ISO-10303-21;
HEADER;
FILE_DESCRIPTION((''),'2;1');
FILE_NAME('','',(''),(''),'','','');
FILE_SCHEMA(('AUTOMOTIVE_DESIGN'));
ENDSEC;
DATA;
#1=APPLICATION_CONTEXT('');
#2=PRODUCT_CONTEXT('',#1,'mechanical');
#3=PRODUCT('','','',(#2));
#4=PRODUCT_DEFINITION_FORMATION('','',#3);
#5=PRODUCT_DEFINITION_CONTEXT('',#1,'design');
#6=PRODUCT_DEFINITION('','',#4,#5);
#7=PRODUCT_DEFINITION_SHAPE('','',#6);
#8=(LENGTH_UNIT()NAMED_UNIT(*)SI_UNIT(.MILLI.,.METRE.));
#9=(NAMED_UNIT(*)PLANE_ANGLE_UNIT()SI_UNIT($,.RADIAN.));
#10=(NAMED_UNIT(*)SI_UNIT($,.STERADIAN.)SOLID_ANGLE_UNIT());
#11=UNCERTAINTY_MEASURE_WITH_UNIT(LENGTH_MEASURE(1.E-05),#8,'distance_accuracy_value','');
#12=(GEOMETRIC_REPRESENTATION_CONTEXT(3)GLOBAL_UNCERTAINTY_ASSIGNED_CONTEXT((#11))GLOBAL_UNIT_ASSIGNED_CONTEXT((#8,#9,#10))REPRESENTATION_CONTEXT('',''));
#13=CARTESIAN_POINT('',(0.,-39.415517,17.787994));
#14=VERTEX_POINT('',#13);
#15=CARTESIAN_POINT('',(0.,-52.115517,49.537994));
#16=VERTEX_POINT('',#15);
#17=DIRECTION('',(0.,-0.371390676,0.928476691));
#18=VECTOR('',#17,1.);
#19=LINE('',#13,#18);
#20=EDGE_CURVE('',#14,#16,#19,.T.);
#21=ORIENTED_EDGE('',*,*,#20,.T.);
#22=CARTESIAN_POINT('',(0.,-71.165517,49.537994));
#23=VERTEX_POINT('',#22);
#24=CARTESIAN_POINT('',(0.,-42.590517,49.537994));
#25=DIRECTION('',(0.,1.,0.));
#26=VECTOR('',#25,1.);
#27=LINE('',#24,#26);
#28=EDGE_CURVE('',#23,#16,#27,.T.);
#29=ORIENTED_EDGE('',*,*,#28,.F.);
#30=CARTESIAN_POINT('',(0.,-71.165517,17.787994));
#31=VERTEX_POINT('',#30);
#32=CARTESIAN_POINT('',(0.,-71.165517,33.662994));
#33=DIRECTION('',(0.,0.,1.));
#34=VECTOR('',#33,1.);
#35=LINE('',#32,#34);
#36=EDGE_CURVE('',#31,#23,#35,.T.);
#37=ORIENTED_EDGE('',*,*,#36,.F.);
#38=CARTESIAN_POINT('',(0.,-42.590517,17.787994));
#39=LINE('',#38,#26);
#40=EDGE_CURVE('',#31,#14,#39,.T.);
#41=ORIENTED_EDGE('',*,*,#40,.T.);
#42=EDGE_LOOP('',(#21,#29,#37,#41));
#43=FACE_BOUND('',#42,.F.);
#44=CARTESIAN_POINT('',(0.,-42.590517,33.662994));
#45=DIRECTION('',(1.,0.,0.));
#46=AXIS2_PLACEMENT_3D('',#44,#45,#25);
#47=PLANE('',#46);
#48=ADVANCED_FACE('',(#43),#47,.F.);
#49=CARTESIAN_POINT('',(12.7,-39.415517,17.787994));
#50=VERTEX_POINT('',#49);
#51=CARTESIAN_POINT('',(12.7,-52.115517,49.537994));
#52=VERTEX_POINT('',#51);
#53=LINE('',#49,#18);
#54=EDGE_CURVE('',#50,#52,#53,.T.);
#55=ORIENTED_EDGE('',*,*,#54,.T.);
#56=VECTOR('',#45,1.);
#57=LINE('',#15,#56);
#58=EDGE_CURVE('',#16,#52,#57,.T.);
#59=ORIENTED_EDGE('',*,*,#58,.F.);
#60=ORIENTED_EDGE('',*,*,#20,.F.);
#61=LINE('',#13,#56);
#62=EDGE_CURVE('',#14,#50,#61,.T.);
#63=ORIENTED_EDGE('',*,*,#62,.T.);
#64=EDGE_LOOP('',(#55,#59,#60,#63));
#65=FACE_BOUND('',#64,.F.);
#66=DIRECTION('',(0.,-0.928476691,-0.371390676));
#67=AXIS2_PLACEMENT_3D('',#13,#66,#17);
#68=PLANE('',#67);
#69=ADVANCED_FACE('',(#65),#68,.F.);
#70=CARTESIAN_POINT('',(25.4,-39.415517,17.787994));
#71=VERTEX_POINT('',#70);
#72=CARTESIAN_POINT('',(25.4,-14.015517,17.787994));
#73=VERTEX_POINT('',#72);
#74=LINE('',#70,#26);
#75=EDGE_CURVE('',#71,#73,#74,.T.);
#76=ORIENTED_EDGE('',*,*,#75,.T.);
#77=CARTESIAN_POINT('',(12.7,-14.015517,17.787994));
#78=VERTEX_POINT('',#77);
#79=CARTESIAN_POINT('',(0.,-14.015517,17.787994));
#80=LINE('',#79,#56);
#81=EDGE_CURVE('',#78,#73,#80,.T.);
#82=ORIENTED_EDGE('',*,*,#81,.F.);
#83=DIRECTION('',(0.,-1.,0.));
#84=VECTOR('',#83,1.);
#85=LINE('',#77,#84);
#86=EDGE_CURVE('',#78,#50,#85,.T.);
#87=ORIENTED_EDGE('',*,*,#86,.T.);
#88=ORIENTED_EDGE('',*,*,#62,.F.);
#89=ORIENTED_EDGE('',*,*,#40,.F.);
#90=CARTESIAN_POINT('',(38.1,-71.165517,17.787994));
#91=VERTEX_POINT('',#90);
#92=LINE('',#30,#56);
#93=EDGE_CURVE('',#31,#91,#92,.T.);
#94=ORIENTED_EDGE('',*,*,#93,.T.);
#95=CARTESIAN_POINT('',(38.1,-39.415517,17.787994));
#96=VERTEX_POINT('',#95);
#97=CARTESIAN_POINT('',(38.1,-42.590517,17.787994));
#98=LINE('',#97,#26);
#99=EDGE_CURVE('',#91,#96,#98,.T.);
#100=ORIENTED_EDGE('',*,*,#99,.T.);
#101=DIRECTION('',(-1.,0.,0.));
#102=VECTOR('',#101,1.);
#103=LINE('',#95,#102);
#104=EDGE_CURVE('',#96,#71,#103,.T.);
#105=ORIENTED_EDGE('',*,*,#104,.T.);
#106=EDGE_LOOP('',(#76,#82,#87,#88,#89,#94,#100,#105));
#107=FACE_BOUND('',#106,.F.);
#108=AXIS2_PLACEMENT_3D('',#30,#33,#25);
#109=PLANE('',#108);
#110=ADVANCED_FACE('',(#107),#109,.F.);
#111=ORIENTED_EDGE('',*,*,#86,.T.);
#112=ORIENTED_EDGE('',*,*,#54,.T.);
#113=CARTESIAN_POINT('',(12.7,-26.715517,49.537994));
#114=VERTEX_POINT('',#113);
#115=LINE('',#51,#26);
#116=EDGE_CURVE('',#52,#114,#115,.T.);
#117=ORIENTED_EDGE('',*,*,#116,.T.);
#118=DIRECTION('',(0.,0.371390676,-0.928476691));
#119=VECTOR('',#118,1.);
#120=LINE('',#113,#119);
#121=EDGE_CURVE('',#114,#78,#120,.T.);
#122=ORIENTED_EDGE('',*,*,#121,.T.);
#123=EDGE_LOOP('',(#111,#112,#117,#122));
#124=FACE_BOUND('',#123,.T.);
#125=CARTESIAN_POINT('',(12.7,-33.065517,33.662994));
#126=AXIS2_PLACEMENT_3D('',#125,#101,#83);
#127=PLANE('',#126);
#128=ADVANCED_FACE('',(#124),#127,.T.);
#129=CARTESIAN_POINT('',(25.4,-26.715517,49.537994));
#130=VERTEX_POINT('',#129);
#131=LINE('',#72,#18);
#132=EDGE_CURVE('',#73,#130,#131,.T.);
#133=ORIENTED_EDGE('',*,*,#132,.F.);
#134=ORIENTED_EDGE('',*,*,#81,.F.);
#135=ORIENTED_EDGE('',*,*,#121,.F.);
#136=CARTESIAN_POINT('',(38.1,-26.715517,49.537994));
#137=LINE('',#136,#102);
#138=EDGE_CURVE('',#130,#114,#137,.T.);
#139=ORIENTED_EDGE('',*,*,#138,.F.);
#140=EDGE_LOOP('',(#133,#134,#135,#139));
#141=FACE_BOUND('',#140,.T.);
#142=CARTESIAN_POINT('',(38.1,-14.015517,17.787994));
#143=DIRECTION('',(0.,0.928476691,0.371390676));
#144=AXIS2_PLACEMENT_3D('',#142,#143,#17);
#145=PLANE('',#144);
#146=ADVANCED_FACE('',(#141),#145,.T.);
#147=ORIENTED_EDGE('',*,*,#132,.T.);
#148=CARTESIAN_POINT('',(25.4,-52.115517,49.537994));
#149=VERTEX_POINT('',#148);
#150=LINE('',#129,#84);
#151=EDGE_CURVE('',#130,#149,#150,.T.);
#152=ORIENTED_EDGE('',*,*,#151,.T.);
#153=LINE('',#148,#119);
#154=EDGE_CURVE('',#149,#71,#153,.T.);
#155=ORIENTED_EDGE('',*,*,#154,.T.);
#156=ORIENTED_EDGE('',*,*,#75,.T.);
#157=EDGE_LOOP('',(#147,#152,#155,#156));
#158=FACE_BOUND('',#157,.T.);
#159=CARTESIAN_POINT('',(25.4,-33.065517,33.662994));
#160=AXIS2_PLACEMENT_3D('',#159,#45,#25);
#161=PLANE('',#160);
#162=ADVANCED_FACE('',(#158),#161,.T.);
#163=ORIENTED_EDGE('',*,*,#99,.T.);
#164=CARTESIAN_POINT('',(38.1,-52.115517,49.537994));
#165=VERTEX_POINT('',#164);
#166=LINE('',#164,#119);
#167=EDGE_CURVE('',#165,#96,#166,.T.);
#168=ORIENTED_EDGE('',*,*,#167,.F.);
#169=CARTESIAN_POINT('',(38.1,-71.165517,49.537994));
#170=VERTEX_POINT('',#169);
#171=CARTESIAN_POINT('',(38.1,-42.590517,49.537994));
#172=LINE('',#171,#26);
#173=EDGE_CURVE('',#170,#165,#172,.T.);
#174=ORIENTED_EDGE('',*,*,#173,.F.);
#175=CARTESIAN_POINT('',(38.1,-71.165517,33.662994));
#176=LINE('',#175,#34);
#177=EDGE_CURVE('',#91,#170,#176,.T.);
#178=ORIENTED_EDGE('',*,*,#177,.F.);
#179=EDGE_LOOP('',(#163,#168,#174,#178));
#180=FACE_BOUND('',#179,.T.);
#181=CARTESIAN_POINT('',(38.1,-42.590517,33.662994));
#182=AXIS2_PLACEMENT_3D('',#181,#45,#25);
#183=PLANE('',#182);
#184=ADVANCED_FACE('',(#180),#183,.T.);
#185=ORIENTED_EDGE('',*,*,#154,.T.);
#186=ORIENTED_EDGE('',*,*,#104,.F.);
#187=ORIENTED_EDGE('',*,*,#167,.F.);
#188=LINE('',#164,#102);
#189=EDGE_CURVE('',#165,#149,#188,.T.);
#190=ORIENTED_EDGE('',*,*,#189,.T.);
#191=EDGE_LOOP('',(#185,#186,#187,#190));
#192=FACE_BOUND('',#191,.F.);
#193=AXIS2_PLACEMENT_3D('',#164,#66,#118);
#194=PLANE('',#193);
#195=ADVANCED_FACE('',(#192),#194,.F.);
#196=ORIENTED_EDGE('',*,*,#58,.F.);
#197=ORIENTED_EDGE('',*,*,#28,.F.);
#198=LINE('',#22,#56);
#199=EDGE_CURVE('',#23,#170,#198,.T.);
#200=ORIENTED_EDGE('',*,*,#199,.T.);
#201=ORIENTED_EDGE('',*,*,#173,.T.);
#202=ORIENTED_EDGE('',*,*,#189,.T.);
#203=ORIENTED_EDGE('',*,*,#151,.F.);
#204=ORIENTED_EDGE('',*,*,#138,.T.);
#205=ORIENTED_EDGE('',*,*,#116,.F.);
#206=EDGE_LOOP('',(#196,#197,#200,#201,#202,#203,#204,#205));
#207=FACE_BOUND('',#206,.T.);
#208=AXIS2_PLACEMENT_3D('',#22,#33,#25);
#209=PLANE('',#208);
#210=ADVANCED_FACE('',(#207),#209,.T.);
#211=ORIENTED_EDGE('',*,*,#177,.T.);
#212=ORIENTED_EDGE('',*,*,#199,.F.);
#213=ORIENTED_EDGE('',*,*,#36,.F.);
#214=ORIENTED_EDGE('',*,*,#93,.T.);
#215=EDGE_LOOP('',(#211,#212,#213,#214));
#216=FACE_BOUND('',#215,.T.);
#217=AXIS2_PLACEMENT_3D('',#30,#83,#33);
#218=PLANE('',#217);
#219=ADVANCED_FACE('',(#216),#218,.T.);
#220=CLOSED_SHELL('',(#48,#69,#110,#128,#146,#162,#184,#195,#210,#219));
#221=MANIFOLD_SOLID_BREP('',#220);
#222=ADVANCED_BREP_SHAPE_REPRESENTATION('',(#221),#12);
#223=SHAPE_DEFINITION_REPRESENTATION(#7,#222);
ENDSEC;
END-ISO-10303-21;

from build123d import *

# Parameters (mm, degrees)
F0_W     = 57.15
F0_H     = 31.75
F1_DEPTH = 38.1
F3_DEPTH = 12.7
F4_DEPTH = 38.1
F6_DEPTH = 12.7


with BuildPart() as f1:
    # F0 (on Right) → F1 (new body)
    with BuildSketch(Plane.YZ):
        with Locations((-42.5905166194, 33.662993957)):
            Rectangle(F0_W, F0_H)
    extrude(amount=F1_DEPTH)

    # F2 (on face) → F3 (cut)
    with BuildSketch(Plane.YZ.offset(38.1)):
        Polygon((-14.0155166194, 17.787993957), (-26.7155166194, 49.537993957), (-52.1155166194, 49.537993957), (-39.4155166194, 17.787993957), align=None)
    extrude(amount=-F3_DEPTH, mode=Mode.SUBTRACT)

    # F4 (cut): a face of the model
    f4_faces = [f1.faces().sort_by_distance(p)[0] for p in [
        (38.1, -18.2488499527, 38.9546606237),
    ]]
    extrude(f4_faces, amount=-F4_DEPTH, mode=Mode.SUBTRACT)

    # F5 (on face) → F6 (cut)
    with BuildSketch(Plane(origin=(0, 0, 0), x_dir=(0, -1, 0), z_dir=(-1, 0, 0))):
        Polygon((39.4155166194, 17.787993957), (52.1155166194, 49.537993957), (26.7155166194, 49.537993957), (14.0155166194, 17.787993957), align=None)
    extrude(amount=-F6_DEPTH, mode=Mode.SUBTRACT)


solid = f1.part
